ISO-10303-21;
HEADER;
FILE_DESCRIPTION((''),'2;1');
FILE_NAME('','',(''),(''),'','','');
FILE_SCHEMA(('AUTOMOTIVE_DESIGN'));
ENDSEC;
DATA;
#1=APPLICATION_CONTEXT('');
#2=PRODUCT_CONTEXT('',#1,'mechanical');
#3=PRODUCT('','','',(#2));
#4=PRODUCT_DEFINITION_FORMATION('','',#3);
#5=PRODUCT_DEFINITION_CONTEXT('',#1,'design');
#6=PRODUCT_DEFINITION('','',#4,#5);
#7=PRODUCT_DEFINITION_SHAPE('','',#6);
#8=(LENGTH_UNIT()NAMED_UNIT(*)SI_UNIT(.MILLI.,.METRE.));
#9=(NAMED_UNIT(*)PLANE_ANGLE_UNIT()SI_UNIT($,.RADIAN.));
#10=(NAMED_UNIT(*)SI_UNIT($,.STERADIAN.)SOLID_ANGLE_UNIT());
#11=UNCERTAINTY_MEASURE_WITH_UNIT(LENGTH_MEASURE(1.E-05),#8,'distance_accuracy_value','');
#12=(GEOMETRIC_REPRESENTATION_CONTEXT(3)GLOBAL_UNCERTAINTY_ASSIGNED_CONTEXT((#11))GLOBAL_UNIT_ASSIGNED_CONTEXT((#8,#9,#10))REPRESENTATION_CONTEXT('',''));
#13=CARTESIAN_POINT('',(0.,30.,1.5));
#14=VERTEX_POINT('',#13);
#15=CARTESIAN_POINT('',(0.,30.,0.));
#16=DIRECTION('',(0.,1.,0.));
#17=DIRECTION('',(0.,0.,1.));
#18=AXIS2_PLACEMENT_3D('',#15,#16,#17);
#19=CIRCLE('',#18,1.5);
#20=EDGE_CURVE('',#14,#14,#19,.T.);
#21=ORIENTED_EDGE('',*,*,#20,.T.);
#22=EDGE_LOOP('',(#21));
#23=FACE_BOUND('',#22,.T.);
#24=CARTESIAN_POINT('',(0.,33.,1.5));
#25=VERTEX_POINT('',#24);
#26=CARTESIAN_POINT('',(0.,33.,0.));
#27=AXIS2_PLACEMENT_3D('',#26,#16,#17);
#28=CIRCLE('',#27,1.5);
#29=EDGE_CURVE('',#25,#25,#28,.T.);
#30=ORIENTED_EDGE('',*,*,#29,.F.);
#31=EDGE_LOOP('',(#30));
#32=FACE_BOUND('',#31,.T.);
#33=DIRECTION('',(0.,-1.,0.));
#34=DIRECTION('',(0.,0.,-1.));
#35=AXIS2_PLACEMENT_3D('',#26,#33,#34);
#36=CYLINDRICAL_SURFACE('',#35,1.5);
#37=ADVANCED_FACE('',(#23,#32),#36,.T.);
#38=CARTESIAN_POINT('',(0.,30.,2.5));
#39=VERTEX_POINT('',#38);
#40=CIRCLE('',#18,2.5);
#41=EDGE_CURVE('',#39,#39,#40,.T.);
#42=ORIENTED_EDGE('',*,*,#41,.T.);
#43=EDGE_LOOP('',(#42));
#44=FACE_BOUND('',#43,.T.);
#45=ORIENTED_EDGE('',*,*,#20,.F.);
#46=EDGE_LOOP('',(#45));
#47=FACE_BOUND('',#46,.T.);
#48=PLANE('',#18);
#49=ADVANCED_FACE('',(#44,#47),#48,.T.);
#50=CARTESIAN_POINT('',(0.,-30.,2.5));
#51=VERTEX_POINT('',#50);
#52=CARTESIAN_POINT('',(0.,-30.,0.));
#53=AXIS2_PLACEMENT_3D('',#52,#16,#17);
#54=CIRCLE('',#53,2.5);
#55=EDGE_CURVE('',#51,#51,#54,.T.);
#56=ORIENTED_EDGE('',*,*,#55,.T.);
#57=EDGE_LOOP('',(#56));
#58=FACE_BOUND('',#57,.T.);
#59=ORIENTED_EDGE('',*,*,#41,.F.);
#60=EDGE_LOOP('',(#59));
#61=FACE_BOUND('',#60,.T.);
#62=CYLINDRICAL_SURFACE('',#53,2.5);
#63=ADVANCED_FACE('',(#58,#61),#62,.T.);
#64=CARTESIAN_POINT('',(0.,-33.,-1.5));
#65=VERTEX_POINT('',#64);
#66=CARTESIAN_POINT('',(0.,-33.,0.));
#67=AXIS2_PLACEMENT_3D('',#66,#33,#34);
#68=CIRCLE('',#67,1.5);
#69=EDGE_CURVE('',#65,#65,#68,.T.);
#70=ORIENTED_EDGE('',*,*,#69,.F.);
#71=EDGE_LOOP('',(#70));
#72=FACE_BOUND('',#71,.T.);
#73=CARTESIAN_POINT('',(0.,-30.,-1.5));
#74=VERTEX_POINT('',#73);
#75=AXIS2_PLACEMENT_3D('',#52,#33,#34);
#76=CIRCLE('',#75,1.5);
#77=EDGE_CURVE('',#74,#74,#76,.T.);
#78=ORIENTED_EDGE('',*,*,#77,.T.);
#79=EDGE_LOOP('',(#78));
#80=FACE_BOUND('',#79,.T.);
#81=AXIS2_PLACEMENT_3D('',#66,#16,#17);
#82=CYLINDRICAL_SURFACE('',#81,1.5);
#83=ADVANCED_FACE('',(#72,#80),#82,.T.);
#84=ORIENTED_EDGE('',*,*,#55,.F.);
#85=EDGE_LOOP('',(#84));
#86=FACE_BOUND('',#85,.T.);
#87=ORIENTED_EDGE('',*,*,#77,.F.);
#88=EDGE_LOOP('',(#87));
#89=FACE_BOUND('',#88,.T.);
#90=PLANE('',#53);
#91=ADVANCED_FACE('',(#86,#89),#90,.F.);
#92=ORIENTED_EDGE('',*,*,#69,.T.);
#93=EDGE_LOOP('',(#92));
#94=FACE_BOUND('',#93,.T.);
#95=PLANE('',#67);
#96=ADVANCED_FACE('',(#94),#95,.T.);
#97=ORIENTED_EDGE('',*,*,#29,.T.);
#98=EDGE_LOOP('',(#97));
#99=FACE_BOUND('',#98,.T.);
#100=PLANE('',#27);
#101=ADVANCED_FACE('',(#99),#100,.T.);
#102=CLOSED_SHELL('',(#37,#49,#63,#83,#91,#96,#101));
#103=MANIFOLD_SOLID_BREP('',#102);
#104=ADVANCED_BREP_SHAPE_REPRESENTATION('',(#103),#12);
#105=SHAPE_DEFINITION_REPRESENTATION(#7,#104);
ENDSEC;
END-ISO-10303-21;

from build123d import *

# Parameters (mm, degrees)
SKETCH_1_R      = 2.5
EXTRUDE_2_DEPTH = 30
SKETCH_2_R      = 1.5
EXTRUDE_3_DEPTH = 3
EXTRUDE_START   = 3
SKETCH_3_R      = 1.5
EXTRUDE_4_DEPTH = 3


with BuildPart() as part:
    # 草图1 → 凸台-拉伸2 (new, symmetric)
    with BuildSketch(Plane(origin=(0, 0, 0), x_dir=(1, 0, 0), z_dir=(0, 1, 0))):
        with Locations(Location((0, 0, 0), (0, 0, 270))):
            Circle(SKETCH_1_R)
    extrude(amount=EXTRUDE_2_DEPTH, both=True)

    # 草图2 → 凸台-拉伸3 (add)
    with BuildSketch(Plane(origin=(0, 30, 0), x_dir=(1, 0, 0), z_dir=(0, 1, 0))):
        with Locations(Location((0, 0, 0), (0, 0, 270))):
            Circle(SKETCH_2_R)
    extrude(amount=EXTRUDE_3_DEPTH)

    # 草图3 → 凸台-拉伸4 (add)
    with BuildSketch(Plane.XZ.offset(30).offset(EXTRUDE_START)):
        with Locations(Location((0, 0, 0), (0, 0, 90))):
            Circle(SKETCH_3_R)
    extrude(amount=-EXTRUDE_4_DEPTH)


solid = part.part
